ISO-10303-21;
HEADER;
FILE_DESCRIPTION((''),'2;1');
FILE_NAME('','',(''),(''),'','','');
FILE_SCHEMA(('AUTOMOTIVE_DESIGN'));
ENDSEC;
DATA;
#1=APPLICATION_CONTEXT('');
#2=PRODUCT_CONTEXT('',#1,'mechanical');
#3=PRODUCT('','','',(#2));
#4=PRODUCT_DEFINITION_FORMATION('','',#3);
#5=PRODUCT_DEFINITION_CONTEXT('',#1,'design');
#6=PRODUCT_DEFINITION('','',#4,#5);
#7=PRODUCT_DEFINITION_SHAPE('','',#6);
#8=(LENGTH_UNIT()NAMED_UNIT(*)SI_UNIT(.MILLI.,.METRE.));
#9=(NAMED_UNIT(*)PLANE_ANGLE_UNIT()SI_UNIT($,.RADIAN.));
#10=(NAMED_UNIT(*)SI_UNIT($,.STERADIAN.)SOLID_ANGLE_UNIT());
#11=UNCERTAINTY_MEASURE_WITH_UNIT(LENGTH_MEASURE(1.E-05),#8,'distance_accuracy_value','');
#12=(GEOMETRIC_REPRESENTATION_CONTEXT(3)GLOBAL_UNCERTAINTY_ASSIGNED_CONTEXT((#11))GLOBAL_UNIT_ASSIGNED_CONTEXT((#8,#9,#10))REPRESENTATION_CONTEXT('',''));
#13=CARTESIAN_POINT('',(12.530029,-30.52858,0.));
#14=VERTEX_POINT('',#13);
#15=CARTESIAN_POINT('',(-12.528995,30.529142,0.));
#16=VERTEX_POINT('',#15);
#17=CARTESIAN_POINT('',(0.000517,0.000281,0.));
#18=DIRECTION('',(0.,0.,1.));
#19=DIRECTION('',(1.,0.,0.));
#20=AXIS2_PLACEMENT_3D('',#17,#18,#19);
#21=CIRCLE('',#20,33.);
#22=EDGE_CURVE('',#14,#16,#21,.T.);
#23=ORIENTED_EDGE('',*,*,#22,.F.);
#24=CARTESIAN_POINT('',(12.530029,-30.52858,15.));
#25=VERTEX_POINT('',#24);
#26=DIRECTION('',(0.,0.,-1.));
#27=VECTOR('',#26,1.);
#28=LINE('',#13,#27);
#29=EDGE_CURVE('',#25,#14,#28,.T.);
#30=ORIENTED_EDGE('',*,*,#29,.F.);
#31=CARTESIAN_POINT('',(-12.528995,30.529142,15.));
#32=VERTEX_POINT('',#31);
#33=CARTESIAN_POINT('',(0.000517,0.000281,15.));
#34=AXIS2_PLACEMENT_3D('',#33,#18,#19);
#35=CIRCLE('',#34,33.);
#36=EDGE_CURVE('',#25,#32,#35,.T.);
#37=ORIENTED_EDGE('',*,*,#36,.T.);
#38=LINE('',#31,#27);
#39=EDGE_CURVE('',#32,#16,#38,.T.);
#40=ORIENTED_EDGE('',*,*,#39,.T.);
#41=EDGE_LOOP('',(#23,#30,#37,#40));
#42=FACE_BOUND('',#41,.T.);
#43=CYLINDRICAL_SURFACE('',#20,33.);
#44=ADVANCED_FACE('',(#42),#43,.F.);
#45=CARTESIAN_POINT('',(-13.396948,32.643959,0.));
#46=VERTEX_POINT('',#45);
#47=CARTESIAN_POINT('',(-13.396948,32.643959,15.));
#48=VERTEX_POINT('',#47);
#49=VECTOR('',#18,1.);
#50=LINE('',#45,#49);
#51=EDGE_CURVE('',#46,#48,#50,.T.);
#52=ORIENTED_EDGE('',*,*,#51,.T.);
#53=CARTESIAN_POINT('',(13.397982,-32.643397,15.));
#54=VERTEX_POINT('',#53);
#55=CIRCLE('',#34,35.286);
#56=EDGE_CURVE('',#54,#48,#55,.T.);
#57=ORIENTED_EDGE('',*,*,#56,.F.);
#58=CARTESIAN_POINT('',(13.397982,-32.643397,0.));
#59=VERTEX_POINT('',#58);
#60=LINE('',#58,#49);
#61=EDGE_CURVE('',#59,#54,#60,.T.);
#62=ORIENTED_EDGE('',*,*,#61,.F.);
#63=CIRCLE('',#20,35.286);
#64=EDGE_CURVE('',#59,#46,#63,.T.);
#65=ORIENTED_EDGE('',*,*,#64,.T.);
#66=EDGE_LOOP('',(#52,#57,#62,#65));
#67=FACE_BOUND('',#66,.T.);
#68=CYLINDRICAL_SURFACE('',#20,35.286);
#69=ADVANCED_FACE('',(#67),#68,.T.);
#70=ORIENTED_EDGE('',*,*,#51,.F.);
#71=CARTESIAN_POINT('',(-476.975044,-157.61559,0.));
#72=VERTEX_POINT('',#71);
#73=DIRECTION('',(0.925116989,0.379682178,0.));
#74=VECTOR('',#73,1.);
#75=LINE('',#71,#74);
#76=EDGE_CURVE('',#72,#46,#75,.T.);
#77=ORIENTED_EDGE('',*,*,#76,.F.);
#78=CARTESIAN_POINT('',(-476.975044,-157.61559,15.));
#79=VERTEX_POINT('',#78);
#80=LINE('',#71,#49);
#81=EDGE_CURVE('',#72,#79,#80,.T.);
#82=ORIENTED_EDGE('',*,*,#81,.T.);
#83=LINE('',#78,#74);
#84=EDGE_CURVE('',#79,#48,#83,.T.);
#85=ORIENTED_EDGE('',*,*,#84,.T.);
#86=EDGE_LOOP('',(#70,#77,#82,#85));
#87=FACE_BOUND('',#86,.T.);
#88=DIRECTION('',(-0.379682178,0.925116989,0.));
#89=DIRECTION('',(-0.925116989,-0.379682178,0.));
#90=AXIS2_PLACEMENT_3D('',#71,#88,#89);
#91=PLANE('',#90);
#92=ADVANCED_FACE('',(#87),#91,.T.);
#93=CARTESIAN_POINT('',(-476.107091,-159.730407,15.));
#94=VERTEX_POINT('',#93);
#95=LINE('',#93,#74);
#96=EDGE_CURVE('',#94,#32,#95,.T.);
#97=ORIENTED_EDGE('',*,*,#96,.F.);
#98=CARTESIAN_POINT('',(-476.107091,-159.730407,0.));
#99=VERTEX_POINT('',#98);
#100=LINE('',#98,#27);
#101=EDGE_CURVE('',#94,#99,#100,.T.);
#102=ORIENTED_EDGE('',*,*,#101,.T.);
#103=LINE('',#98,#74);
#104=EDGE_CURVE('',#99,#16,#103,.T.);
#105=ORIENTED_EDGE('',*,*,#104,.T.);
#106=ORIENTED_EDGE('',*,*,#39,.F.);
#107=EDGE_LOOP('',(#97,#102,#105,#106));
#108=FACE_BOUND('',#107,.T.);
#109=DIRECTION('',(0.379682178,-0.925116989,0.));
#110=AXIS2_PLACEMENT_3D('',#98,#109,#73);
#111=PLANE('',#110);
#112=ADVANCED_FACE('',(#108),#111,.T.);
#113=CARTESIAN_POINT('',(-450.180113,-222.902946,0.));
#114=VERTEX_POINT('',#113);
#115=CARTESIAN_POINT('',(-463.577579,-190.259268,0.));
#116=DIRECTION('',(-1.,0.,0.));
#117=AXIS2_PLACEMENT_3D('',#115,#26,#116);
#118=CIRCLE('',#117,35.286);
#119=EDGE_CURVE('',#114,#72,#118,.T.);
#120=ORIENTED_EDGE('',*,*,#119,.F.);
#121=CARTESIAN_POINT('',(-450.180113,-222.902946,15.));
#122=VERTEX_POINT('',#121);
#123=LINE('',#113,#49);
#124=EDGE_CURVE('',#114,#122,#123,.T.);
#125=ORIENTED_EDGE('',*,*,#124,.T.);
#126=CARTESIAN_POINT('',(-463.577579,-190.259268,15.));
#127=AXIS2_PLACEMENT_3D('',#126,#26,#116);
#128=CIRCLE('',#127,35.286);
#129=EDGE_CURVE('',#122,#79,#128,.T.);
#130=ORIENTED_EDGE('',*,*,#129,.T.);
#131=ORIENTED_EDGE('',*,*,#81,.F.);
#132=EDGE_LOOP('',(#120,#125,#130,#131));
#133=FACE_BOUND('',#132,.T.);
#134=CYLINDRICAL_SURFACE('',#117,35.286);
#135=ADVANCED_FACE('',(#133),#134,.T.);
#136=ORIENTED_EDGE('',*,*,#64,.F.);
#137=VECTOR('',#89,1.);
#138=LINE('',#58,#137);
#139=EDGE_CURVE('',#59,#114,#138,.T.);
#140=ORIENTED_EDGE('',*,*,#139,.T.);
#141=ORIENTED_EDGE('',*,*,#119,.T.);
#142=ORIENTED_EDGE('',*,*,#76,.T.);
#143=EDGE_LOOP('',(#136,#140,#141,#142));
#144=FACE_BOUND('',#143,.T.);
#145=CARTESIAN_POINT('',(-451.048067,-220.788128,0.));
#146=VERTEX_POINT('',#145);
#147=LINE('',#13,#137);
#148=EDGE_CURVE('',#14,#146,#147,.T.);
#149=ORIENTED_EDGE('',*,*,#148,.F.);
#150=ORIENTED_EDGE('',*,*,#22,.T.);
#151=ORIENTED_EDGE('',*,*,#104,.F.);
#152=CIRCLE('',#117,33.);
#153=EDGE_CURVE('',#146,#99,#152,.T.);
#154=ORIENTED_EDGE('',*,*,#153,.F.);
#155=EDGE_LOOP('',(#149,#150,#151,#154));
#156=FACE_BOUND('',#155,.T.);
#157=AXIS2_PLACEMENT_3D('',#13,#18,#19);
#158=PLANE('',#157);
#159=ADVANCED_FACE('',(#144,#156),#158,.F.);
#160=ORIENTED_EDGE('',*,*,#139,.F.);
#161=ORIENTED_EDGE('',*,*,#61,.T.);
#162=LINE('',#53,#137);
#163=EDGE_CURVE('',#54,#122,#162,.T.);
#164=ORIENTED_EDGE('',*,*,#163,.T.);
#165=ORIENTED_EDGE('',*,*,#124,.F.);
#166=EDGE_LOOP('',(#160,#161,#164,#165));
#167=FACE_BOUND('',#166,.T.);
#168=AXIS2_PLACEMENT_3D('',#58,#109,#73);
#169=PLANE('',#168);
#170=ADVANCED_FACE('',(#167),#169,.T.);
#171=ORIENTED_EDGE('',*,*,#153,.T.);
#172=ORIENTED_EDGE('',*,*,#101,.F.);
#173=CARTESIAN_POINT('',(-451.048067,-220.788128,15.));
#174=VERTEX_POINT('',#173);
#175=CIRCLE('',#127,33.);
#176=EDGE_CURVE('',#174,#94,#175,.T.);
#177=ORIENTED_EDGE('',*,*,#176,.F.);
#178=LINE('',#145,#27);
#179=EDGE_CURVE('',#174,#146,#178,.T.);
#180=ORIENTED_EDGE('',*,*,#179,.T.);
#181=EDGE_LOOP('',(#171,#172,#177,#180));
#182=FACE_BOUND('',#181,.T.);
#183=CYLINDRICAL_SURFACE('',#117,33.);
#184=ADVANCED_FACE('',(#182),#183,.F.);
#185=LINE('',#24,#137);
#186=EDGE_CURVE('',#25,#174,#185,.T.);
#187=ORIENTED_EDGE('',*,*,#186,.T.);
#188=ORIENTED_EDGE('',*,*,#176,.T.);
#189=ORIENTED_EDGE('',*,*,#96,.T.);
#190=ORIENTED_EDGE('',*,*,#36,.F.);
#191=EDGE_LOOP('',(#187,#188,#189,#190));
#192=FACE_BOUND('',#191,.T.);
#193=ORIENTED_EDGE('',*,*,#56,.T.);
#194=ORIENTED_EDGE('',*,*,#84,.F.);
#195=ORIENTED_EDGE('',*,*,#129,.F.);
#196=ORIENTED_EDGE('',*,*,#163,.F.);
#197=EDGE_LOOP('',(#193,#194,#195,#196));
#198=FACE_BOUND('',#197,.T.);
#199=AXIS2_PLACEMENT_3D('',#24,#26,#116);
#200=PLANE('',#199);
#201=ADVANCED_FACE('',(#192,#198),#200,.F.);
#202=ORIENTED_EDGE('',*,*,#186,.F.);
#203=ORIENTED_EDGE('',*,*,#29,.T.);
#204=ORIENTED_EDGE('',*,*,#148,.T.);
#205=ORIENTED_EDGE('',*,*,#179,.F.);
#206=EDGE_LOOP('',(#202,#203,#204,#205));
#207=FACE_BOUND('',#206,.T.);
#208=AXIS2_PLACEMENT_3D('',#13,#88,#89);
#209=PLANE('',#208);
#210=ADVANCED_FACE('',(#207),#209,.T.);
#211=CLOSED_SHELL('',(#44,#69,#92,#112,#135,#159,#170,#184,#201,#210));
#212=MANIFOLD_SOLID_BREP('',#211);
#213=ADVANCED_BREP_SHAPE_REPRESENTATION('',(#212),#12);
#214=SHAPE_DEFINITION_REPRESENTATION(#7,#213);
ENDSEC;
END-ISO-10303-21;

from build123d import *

# Parameters (mm, degrees)
SKETCH4_W = 15
SKETCH4_H = 2.286


with BuildPart() as part:
    # Sweep1: sweep along a path in Sketch2
    with BuildLine(Plane.XY) as sweep1_path:
        Line((12.530028775, -30.528579509), (-451.04806694, -220.788128294))
        ThreePointArc((-451.04806694, -220.788128294), (-494.106439454, -202.788779514), (-476.107090674, -159.730407001))
        Line((-476.107090674, -159.730407001), (-12.528994959, 30.529141785))
        ThreePointArc((-12.528994959, 30.529141785), (30.529377554, 12.529793005), (12.530028775, -30.528579509))
    # Sketch4 → Sweep1 (sweep)
    with BuildSketch(Plane(origin=(-12.528994959, 30.529141785, 0), x_dir=(0, 0, -1), z_dir=(0.925116989288595, 0.37968217778769353, 0))):
        with Locations((-7.5, 1.143)):
            Rectangle(SKETCH4_W, SKETCH4_H)
    sweep(path=sweep1_path.line)


solid = part.part
